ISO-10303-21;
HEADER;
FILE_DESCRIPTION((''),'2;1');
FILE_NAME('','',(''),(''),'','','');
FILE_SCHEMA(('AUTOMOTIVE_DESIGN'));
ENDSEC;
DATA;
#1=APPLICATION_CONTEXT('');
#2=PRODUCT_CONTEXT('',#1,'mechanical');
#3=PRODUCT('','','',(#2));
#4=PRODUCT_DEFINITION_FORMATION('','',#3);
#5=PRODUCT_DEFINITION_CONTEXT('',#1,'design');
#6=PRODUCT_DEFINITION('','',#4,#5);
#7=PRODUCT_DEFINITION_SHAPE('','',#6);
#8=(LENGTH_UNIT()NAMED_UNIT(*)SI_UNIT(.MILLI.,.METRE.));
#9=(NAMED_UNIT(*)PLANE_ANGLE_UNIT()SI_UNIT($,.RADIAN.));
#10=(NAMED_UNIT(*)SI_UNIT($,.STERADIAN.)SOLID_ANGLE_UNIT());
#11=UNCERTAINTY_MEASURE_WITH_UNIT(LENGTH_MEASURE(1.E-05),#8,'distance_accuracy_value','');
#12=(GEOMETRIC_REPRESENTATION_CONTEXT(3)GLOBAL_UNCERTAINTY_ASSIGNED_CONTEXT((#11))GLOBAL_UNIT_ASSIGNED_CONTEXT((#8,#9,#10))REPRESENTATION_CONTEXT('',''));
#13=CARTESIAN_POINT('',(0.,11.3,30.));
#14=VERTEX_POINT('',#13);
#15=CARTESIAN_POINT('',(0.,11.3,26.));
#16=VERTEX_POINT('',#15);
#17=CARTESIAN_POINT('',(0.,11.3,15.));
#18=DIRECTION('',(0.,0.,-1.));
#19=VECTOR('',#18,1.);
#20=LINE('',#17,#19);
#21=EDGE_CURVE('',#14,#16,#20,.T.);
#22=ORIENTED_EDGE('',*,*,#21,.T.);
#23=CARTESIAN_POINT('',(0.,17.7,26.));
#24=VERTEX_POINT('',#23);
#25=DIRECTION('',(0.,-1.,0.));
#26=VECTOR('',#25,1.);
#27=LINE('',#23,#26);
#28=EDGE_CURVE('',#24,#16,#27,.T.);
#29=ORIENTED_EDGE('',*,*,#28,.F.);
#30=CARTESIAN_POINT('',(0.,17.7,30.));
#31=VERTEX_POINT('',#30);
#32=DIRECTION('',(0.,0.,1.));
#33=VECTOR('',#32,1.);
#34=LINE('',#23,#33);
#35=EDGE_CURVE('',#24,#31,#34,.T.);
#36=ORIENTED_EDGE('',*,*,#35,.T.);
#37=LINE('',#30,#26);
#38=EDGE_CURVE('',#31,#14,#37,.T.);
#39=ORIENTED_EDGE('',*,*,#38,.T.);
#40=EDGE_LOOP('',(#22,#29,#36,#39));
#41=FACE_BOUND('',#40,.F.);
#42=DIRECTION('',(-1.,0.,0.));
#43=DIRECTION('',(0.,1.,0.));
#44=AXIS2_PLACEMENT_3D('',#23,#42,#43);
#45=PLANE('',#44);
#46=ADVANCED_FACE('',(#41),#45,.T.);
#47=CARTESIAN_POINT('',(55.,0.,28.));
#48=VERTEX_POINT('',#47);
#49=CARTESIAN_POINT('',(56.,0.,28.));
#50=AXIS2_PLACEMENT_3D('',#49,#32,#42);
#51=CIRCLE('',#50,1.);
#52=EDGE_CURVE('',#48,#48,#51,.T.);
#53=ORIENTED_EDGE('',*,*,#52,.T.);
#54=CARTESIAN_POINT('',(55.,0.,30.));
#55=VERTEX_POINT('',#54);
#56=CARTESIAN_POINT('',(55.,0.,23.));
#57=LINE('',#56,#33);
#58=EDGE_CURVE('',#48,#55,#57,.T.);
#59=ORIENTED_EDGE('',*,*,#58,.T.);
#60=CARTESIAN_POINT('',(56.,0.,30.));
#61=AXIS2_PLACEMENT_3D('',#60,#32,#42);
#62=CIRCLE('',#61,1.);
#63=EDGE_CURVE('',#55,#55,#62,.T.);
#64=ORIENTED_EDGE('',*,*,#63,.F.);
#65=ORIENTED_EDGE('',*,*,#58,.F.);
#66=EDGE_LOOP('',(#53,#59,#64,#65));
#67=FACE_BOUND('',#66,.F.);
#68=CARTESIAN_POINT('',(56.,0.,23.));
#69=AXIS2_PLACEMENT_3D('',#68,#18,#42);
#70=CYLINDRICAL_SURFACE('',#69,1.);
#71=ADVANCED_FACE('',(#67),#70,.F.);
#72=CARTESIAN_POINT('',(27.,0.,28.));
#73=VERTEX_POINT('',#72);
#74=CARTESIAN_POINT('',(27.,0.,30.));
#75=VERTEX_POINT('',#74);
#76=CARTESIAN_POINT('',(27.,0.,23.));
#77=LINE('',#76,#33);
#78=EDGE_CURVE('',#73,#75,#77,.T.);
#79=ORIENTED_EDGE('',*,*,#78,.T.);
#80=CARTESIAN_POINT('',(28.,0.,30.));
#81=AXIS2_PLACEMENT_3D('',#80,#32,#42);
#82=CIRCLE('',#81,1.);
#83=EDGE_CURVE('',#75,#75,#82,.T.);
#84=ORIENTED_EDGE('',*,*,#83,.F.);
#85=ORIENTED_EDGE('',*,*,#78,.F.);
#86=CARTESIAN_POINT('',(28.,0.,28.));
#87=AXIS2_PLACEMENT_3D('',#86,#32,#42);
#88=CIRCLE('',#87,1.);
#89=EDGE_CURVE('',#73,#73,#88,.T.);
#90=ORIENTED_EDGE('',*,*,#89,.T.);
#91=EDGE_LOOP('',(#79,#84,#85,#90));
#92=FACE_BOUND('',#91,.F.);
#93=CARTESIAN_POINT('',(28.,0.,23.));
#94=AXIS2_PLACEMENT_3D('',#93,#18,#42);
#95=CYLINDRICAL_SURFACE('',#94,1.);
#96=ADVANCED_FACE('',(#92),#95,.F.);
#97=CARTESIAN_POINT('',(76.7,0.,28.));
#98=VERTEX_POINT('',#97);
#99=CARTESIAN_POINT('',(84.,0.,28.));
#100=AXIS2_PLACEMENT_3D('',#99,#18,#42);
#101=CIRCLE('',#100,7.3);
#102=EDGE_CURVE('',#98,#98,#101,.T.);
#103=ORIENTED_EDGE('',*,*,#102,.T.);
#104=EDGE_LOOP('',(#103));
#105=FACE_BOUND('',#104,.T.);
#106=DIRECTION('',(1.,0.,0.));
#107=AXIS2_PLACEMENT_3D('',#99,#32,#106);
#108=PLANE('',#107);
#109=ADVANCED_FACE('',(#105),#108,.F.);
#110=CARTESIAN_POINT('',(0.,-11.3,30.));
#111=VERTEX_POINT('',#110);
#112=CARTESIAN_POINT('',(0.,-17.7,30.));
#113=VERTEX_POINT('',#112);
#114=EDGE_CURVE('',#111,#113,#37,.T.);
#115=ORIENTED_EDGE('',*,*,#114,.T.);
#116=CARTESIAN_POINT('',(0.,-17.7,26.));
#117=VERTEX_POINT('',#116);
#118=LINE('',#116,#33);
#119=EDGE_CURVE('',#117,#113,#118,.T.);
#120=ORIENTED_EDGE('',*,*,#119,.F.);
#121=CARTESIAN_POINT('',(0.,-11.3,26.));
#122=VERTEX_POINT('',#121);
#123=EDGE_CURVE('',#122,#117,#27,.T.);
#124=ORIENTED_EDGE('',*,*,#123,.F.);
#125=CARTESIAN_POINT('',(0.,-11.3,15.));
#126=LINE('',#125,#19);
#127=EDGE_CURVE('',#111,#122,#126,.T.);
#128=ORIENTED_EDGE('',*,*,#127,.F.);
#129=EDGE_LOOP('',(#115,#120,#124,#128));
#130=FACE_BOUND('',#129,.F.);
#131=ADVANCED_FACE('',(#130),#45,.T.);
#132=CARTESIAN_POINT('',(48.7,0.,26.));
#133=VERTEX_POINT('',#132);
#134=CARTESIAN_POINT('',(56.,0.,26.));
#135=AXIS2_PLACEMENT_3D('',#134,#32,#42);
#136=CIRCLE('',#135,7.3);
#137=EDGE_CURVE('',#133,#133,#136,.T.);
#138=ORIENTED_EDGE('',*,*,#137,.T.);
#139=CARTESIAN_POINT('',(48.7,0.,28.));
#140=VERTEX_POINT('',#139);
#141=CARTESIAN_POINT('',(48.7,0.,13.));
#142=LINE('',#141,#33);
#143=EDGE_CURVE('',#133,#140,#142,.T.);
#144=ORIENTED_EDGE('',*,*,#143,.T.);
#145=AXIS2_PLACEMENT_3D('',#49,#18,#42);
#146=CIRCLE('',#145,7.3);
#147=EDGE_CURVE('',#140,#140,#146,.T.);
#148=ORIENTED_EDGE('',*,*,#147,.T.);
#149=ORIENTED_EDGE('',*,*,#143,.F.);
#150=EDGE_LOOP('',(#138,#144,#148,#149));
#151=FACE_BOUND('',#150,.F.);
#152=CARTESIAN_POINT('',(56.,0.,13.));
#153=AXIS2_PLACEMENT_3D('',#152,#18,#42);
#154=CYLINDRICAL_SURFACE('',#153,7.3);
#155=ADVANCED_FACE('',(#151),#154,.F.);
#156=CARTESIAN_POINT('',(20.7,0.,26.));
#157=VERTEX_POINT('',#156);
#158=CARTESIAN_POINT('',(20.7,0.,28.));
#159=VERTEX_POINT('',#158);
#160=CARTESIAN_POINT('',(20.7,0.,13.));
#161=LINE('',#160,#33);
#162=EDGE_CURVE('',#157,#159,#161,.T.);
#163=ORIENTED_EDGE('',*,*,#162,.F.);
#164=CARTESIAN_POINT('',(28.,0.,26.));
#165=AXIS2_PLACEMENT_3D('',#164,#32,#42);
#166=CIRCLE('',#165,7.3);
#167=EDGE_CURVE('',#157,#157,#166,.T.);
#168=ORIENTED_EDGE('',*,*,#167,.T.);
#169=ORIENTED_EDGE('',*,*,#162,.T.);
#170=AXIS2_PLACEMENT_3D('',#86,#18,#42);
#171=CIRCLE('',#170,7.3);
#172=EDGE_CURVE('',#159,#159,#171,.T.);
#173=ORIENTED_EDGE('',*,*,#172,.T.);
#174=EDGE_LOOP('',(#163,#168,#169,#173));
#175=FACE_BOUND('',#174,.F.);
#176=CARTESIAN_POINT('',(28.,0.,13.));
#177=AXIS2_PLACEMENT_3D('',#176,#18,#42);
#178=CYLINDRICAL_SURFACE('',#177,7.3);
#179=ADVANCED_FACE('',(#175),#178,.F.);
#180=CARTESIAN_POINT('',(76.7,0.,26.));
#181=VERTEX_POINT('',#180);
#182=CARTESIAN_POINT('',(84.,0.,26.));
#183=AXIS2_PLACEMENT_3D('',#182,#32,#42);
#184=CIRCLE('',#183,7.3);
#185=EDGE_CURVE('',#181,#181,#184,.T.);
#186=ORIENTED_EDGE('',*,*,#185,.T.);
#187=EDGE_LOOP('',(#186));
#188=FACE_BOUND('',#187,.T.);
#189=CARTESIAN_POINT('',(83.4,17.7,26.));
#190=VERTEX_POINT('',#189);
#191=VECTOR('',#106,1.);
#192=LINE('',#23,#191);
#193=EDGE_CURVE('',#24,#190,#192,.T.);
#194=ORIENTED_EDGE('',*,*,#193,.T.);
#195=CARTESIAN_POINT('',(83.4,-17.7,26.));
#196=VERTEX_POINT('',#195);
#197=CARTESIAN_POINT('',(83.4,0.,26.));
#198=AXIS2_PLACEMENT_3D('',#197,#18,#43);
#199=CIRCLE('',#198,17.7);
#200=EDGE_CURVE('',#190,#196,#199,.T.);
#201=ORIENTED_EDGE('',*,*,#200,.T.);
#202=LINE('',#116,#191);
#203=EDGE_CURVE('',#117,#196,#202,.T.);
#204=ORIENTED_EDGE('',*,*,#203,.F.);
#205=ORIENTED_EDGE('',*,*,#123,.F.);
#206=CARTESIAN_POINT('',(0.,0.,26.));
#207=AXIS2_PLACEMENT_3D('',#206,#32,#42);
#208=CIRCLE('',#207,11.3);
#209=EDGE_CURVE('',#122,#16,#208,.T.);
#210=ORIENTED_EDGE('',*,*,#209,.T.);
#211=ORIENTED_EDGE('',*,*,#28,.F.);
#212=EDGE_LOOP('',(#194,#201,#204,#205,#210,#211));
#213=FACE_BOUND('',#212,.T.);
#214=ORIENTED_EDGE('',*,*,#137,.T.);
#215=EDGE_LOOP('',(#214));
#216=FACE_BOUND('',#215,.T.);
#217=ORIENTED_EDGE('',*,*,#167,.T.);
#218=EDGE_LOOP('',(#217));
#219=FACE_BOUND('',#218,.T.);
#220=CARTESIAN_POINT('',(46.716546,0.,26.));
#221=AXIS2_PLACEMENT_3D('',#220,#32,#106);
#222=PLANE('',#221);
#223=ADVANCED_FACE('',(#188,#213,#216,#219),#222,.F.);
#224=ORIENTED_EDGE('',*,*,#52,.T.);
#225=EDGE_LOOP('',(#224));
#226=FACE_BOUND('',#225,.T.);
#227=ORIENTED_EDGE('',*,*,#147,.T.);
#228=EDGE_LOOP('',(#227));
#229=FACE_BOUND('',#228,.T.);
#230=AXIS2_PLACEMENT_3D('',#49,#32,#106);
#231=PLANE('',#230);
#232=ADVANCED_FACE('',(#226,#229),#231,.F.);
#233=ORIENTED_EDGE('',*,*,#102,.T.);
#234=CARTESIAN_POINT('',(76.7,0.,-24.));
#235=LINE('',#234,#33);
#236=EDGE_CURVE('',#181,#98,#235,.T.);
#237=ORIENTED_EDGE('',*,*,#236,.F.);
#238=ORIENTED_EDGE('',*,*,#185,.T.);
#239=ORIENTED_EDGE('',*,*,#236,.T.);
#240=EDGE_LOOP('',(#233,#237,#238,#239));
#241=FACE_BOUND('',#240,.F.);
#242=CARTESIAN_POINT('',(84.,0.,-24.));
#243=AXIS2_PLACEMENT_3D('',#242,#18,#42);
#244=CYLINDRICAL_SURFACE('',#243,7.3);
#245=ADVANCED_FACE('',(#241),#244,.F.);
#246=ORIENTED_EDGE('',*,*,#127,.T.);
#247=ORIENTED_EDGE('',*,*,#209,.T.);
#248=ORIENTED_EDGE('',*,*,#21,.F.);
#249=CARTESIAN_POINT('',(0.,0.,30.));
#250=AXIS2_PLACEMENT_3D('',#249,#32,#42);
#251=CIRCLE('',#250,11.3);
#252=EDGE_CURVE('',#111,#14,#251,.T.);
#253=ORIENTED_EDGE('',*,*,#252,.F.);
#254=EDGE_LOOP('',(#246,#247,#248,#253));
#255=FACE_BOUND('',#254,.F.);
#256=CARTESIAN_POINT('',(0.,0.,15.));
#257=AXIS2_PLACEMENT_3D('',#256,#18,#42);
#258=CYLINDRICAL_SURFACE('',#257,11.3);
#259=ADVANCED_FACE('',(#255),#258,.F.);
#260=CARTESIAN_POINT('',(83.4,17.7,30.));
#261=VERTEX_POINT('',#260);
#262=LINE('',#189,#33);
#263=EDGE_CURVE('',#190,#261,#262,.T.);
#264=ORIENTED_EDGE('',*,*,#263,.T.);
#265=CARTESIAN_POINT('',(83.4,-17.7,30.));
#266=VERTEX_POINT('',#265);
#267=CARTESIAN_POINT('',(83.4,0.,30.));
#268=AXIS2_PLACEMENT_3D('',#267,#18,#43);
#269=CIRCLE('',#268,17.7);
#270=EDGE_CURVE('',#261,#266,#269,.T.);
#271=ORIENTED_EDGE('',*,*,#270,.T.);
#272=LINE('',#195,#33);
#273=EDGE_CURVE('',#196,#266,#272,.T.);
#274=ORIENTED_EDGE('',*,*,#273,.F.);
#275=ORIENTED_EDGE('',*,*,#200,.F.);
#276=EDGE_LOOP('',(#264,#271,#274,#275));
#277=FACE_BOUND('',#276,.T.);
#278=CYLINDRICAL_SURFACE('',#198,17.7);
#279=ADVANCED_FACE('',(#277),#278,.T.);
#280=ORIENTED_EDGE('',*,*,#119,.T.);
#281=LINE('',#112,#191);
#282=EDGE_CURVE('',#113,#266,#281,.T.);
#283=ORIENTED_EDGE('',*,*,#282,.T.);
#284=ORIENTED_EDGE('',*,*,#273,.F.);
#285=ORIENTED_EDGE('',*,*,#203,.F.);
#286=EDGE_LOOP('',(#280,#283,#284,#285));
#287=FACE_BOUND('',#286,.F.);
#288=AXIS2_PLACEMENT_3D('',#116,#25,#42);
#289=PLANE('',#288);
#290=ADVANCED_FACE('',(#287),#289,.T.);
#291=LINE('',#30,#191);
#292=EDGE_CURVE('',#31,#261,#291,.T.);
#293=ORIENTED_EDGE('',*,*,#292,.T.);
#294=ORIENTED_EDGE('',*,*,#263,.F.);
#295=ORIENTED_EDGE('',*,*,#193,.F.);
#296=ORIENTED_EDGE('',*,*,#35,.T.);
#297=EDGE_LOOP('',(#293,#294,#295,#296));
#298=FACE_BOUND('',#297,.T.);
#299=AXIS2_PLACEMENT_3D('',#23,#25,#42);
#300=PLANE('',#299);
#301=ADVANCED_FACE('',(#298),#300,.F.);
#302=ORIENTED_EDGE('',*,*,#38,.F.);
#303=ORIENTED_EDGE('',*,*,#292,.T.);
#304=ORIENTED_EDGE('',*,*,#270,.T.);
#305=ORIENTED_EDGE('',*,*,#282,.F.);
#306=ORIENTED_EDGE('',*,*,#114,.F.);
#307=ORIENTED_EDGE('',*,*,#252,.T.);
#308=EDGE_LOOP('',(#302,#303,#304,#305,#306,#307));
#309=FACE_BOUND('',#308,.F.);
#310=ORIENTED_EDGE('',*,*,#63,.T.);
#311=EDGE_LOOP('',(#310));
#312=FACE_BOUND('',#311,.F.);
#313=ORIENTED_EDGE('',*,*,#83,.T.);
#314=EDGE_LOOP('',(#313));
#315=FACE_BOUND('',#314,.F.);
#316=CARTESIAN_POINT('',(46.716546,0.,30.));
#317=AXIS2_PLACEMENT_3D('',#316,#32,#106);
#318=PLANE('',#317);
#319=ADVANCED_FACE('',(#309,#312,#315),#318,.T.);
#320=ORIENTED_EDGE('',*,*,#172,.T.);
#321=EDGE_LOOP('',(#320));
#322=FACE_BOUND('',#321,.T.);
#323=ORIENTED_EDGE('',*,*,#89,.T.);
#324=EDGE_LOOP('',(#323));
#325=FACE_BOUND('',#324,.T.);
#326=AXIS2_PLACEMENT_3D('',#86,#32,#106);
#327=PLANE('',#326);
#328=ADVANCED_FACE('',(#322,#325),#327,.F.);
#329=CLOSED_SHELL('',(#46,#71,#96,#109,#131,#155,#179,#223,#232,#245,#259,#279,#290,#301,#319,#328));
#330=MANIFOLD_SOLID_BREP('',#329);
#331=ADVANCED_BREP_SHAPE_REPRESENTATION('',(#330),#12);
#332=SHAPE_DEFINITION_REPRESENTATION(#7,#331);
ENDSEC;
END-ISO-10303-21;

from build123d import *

# Parameters (mm, degrees)
CYLINDER022_R     = 1
CYLINDER022_DEPTH = 10
CYLINDER023_R     = 1
CYLINDER023_DEPTH = 10
CYLINDER021_R     = 11.3
CYLINDER021_DEPTH = 16
CYLINDER020_R     = 7.3
CYLINDER020_DEPTH = 15
CYLINDER007_R     = 7.3
CYLINDER007_DEPTH = 15
CYLINDER019_R     = 7.3
CYLINDER019_DEPTH = 52
PAD002_DEPTH      = 4


with BuildPart() as cilindro007:
    # Cylinder022 → Cylinder022 (new body)
    with BuildSketch(Plane(origin=(-28, 0, -4), x_dir=(1, 0, 0), z_dir=(0, 0, 1))):
        Circle(CYLINDER022_R)
    extrude(amount=CYLINDER022_DEPTH)


with BuildPart() as fusion001013:
    # Cylinder023 → Cylinder023 (new body)
    with BuildSketch(Plane(origin=(-56, 0, -4), x_dir=(1, 0, 0), z_dir=(0, 0, 1))):
        Circle(CYLINDER023_R)
    extrude(amount=CYLINDER023_DEPTH)

    # Fusion001013: union Cilindro007
    add(cilindro007.part)


with BuildPart() as fusion001013_1:
    # Fusion001013 placement: moved
    add(fusion001013.part.moved(Location((0, 0, 27))))


with BuildPart() as eje004:
    # Cylinder021 → Cylinder021 (new body)
    with BuildSketch(Plane.XY.offset(15)):
        Circle(CYLINDER021_R)
    extrude(amount=CYLINDER021_DEPTH)


with BuildPart() as eje003:
    # Cylinder020 → Cylinder020 (new body)
    with BuildSketch(Plane(origin=(-28, 0, 13), x_dir=(1, 0, 0), z_dir=(0, 0, 1))):
        Circle(CYLINDER020_R)
    extrude(amount=CYLINDER020_DEPTH)


with BuildPart() as fusion001011:
    # Cylinder007 → Cylinder007 (new body)
    with BuildSketch(Plane(origin=(-56, 0, 13), x_dir=(1, 0, 0), z_dir=(0, 0, 1))):
        Circle(CYLINDER007_R)
    extrude(amount=CYLINDER007_DEPTH)

    # Fusion001011: union Eje003
    add(eje003.part)


with BuildPart() as eje001:
    # Cylinder019 → Cylinder019 (new body)
    with BuildSketch(Plane(origin=(-84, 0, -24), x_dir=(1, 0, 0), z_dir=(0, 0, 1))):
        Circle(CYLINDER019_R)
    extrude(amount=CYLINDER019_DEPTH)


with BuildPart() as cut010002:
    # Sketch004 → Pad002 (new body)
    with BuildSketch(Plane.XY):
        with BuildLine():
            Line((0, 17.7), (-83.4, 17.7))
            ThreePointArc((-83.4, 17.7), (-101.1, 0), (-83.4, -17.7))
            Line((0, -17.7), (-83.4, -17.7))
            Line((0, 17.7), (0, -17.7))
        make_face()
    extrude(amount=PAD002_DEPTH)


with BuildPart() as cut010002_1:
    # Body005 placement: moved
    add(cut010002.part.moved(Location((0, 0, 26))))

    # Cut: cut Eje001
    add(eje001.part, mode=Mode.SUBTRACT)

    # Cut026: cut Fusion001011
    add(fusion001011.part, mode=Mode.SUBTRACT)

    # Cut027: cut Eje004
    add(eje004.part, mode=Mode.SUBTRACT)

    # Cut010002: cut Fusion001013
    add(fusion001013_1.part, mode=Mode.SUBTRACT)


with BuildPart() as espejo_tapa:
    # Part__Mirroring011: instance of Cut010002
    add(cut010002_1.part.mirror(Plane(origin=(0, 0, 0), x_dir=(0, -1, 0), z_dir=(1, 0, 0))))


solid = espejo_tapa.part
